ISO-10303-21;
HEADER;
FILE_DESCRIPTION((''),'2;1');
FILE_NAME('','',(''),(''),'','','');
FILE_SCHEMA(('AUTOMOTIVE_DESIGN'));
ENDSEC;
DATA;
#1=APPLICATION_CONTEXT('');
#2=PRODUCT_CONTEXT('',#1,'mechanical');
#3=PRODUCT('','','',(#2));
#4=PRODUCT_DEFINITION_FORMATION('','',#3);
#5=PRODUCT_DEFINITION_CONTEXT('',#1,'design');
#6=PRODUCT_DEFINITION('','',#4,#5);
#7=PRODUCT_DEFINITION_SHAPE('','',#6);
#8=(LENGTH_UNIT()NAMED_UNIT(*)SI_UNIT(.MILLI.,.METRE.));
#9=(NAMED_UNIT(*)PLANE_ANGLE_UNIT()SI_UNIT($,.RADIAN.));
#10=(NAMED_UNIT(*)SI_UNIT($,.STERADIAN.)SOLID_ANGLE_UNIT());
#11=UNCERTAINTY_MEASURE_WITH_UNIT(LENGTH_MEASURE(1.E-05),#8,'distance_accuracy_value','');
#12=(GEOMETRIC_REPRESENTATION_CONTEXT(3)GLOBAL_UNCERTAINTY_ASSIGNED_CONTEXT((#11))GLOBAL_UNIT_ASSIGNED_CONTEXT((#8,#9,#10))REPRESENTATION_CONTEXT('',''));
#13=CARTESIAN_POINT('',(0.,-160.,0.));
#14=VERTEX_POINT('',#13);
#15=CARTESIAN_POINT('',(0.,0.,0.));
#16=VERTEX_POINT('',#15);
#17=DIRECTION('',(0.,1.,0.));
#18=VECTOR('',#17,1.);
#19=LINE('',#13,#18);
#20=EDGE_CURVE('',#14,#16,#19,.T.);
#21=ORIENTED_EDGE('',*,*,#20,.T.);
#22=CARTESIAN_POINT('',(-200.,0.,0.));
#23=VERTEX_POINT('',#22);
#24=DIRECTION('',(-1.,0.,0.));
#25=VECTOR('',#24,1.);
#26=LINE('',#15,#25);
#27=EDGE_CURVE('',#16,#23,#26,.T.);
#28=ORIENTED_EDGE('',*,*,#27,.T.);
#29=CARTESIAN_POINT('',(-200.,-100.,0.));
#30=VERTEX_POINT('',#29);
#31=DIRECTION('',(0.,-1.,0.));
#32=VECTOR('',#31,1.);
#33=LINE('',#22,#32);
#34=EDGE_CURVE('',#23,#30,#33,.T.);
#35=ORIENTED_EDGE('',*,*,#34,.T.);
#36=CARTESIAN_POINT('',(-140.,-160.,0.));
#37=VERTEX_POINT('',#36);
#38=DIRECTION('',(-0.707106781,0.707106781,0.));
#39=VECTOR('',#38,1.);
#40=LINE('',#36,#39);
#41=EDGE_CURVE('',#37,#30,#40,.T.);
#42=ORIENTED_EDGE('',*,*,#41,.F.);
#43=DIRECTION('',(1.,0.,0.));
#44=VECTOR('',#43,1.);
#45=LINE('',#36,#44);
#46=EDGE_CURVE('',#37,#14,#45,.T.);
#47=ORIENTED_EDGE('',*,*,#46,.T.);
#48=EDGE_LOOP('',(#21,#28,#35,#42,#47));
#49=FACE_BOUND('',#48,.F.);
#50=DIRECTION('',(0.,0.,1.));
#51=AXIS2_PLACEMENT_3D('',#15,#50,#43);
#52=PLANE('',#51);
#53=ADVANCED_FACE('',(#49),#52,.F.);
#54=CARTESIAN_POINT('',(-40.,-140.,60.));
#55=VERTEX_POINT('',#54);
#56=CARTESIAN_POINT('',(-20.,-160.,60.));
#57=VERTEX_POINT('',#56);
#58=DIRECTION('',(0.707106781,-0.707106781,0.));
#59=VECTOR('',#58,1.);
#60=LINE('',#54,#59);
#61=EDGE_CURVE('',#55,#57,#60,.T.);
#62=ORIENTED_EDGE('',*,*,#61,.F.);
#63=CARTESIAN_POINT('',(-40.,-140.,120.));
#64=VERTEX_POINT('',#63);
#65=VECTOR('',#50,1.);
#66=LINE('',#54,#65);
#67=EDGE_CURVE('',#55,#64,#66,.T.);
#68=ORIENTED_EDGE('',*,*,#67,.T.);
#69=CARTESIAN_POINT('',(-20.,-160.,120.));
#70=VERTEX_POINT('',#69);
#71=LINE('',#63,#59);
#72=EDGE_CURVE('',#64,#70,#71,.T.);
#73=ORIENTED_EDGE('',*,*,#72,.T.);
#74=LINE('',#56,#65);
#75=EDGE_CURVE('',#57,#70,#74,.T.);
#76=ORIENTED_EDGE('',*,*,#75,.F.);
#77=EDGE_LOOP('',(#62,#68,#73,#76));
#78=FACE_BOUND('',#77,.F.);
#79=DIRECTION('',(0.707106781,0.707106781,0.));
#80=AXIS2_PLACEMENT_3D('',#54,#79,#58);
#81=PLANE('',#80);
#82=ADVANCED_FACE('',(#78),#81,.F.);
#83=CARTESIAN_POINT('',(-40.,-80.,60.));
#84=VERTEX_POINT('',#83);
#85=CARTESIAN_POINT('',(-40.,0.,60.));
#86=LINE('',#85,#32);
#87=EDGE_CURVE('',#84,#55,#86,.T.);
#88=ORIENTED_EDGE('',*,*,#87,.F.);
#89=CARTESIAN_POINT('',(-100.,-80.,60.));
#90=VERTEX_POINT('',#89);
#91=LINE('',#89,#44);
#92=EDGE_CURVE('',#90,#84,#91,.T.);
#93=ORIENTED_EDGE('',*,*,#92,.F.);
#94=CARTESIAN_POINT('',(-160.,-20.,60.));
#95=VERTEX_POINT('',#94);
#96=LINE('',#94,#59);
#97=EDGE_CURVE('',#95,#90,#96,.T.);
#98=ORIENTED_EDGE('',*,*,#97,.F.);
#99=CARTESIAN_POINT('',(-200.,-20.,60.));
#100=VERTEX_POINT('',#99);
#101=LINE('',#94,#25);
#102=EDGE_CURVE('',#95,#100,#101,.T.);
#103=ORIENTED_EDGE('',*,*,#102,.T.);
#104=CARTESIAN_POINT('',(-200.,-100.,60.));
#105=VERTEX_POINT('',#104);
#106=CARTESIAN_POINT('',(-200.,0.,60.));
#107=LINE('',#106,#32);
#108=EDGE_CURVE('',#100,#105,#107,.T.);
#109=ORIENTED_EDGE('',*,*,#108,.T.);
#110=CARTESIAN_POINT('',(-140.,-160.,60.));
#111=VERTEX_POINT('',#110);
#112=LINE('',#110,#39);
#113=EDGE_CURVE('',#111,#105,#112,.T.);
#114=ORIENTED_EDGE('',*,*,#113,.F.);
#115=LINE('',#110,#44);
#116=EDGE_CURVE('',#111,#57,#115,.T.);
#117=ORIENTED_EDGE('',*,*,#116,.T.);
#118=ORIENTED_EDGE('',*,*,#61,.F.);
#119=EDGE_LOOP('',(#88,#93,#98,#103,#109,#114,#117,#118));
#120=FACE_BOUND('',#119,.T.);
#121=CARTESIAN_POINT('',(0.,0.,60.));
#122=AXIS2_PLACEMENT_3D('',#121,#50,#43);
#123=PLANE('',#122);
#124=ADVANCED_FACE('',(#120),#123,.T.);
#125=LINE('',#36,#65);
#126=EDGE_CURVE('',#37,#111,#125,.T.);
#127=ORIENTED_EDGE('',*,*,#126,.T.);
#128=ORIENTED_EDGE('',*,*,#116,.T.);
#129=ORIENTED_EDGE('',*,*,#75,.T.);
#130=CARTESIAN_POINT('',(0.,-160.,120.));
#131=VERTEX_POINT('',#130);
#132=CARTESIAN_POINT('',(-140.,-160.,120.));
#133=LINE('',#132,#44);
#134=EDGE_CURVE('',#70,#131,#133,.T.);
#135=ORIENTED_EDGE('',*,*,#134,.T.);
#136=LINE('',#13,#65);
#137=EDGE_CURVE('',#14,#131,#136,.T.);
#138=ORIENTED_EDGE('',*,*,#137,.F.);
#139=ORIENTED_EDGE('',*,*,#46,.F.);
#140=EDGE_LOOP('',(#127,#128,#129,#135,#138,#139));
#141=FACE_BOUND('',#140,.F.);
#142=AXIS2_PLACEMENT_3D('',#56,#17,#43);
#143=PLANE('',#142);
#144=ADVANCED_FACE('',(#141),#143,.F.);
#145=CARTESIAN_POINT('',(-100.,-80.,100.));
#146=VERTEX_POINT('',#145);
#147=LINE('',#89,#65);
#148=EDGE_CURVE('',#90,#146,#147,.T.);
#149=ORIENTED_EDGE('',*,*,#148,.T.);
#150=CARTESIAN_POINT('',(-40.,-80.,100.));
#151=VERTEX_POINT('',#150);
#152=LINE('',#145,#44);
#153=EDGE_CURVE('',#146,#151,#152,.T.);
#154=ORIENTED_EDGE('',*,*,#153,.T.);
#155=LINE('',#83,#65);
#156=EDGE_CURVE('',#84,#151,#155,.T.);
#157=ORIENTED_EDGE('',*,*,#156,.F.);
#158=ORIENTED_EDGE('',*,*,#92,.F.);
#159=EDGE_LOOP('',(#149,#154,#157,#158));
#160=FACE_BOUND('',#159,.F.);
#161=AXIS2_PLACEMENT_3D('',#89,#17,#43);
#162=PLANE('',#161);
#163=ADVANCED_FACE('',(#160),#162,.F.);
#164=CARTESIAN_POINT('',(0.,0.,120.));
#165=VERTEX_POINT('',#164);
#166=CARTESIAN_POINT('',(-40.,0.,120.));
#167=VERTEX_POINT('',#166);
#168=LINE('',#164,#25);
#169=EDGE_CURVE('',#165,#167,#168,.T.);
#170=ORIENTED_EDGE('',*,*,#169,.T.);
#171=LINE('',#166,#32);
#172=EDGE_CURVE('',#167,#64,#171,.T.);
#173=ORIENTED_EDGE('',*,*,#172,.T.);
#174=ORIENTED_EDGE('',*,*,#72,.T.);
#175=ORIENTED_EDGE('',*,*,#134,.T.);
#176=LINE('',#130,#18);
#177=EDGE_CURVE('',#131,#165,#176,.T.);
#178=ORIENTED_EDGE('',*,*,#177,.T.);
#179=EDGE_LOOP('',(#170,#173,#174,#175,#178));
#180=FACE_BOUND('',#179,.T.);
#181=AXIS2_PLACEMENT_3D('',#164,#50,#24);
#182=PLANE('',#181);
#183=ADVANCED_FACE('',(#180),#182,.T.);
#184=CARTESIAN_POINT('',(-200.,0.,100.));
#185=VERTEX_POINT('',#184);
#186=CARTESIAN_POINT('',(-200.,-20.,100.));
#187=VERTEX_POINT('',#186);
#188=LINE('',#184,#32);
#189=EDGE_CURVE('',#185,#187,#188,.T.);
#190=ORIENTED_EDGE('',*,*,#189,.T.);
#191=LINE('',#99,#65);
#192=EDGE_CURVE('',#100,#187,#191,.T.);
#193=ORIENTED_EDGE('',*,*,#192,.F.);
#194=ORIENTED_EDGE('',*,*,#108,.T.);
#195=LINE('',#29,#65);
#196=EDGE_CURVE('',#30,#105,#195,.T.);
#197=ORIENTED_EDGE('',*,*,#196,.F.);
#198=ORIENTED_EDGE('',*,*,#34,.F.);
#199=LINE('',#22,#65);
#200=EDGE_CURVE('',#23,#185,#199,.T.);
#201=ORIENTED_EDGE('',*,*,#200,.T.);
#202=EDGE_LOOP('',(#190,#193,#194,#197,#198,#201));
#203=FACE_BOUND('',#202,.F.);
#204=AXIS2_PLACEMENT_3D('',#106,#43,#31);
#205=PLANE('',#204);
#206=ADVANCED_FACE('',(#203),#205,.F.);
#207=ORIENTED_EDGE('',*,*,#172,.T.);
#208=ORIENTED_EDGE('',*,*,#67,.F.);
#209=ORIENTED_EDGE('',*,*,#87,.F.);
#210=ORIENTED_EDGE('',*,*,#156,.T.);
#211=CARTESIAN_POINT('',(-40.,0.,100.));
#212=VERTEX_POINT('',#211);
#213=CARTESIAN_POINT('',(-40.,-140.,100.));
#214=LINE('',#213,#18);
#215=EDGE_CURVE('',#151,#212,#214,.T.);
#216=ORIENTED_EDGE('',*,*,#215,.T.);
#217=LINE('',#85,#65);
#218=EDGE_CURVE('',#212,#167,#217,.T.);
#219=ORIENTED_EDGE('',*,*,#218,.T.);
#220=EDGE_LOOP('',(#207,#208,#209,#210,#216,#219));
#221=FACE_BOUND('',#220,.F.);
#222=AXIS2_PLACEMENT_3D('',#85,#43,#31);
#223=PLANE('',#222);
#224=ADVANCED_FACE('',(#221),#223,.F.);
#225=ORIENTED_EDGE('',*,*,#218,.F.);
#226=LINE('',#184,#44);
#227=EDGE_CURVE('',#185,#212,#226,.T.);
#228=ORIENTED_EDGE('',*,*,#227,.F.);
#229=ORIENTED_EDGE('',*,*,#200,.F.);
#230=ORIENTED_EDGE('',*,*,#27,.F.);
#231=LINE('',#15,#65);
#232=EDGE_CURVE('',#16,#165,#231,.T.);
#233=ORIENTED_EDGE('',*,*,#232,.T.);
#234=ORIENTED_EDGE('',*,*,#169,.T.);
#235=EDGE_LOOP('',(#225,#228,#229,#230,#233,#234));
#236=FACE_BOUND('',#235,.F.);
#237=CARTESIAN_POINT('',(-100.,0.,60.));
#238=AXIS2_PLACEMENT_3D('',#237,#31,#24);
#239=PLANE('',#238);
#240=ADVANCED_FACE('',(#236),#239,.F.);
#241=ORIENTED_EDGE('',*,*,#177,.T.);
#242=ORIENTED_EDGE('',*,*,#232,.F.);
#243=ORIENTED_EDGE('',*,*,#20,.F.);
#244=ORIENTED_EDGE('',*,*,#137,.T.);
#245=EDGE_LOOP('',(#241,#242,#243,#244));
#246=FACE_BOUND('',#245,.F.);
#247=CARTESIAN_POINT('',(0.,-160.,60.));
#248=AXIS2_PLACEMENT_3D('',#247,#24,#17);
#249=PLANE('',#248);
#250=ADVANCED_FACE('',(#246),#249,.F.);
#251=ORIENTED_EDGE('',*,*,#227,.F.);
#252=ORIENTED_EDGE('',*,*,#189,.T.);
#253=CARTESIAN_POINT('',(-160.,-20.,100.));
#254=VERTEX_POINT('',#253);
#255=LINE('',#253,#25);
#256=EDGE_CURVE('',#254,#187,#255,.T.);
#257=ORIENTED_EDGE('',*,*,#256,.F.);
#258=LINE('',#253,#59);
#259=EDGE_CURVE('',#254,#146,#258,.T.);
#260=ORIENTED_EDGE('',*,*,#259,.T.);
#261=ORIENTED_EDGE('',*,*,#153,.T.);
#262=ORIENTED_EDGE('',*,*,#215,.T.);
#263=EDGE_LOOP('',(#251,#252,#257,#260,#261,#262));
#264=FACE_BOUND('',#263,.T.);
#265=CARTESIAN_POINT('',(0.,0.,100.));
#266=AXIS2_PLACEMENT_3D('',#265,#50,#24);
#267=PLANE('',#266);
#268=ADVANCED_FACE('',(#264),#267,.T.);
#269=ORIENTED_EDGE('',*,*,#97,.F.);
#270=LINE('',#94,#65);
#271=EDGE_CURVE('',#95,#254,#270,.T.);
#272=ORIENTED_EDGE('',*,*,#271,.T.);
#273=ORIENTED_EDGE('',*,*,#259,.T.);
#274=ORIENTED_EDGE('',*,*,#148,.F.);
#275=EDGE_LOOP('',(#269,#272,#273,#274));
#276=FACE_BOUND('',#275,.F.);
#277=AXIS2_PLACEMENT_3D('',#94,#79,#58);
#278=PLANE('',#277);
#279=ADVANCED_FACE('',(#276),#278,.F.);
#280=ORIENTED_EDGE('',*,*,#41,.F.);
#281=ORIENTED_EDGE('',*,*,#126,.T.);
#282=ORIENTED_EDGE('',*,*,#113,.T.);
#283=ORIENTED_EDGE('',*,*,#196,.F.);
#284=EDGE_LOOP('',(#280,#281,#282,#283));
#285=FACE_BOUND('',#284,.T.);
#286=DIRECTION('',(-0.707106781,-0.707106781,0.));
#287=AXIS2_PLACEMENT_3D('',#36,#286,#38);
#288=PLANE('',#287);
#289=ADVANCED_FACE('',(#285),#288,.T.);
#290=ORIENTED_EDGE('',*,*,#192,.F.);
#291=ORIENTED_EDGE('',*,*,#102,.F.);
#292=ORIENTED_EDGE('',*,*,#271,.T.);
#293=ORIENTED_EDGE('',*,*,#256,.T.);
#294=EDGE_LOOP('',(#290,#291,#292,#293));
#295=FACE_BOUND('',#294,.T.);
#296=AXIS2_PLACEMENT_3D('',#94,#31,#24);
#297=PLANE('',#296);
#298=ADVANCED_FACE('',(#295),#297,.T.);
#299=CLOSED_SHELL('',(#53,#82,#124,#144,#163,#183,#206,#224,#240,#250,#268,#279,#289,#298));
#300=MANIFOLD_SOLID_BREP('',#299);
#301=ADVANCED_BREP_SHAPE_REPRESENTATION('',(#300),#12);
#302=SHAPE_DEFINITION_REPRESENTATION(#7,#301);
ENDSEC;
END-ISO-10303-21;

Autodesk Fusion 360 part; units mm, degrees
sketch "Sketch1" plane through (0, 0, 0) normal (0, 0, 1) x (1, 0, 0)
  line L0 (0, 0) -> (-140, 0)
  line L1 (-140, 0) -> (-140, -160)
  line L2 (-140, -160) -> (0, -160)
  line L3 (0, -160) -> (0, 0)
  dimension "d1" = 140
  dimension "d2" = 160
extrude "Extrude1" add sketch "Sketch1" along normal blind 60
sketch "Sketch2" plane through (0, 0, 0) normal (0, 0, 1) x (1, 0, 0)
  line L0 (-140, 0) -> (-200, 0)
  line L1 (-200, 0) -> (-200, -100)
  line L2 (-200, -100) -> (-140, -100)
  line L3 (-140, -100) -> (-140, 0)
  dimension "d5" = 60
  dimension "d6" = 100
extrude "Extrude2" add sketch "Sketch2" along normal blind 60
sketch "Sketch3" plane through (0, 0, 0) normal (0, 0, 1) x (1, 0, 0)
sketch "Sketch4" plane through (0, 0, 0) normal (0, 0, 1) x (1, 0, 0)
  line L0 (-140, -160) -> (-200, -100)
  line L1 (-200, -100) -> (-140, -100)
  line L2 (-140, -100) -> (-140, -160)
extrude "Extrude3" add sketch "Sketch4" along normal blind 60
sketch "Sketch5" plane through (0, 0, 60) normal (0, 0, 1) x (-1, 0, 0)
  line L0 (0, 160) -> (0, 0)
  line L1 (0, 0) -> (200, 0)
  line L2 (200, 0) -> (200, 100)
  line L3 (200, 100) -> (140, 160)
  line L4 (140, 160) -> (0, 160)
  line L5 (0, 0) -> (20, 0)
  line L6 (20, 0) -> (20, 160)
  line L7 (20, 160) -> (0, 160)
  line L8 (0, 160) -> (0, 0)
  dimension "d11" = 20
extrude "Extrude4" add sketch "Sketch5" along normal blind 60 contours L0 L1 L4 L5 L6 L7 L8
sketch "Sketch6" plane through (0, 0, 60) normal (0, 0, 1) x (-1, 0, 0)
  line L0 (20, 160) -> (20, 0)
  line L1 (20, 0) -> (200, 0)
  line L2 (200, 0) -> (200, 100)
  line L3 (200, 100) -> (140, 160)
  line L4 (140, 160) -> (20, 160)
  line L5 (20, 0) -> (40, 0)
  line L6 (40, 0) -> (40, 140)
  line L7 (40, 140) -> (20, 140)
  line L8 (20, 140) -> (20, 0)
  dimension "d14" = 20
  dimension "d15" = 140
extrude "Extrude5" add sketch "Sketch6" along normal blind 60 contours L0 L1 L5 L6 L7 L8
sketch "Sketch7" plane through (0, 0, 60) normal (0, 0, 1) x (-1, 0, 0)
  line L0 (20, 140) -> (40, 140)
  line L1 (40, 140) -> (40, 0)
  line L2 (40, 0) -> (200, 0)
  line L3 (200, 0) -> (200, 100)
  line L4 (200, 100) -> (140, 160)
  line L5 (140, 160) -> (20, 160)
  line L6 (20, 160) -> (20, 140)
  line L7 (40, 140) -> (20, 160)
  line L8 (20, 140) -> (40, 140)
extrude "Extrude6" add sketch "Sketch7" along normal blind 60 contours L0 L6 L7 L8
sketch "Sketch8" plane through (0, 0, 60) normal (0, 0, 1) x (-1, 0, 0)
  line L0 (20, 160) -> (40, 140)
  line L1 (40, 140) -> (40, 0)
  line L2 (40, 0) -> (200, 0)
  line L3 (200, 0) -> (200, 100)
  line L4 (200, 100) -> (140, 160)
  line L5 (140, 160) -> (20, 160)
  line L6 (40, 0) -> (100, 0)
  line L7 (100, 0) -> (100, 80)
  line L8 (100, 80) -> (40, 80)
  line L9 (40, 80) -> (40, 0)
  dimension "d20" = 60
  dimension "d21" = 80
extrude "Extrude7" add sketch "Sketch8" along normal blind 40 contours L1 L2 L6 L7 L8 L9
sketch "Sketch9" plane through (0, 0, 60) normal (0, 0, 1) x (-1, 0, 0)
  line L0 (100, 80) -> (100, 0)
  line L1 (100, 0) -> (200, 0)
  line L2 (200, 0) -> (200, 100)
  line L3 (200, 100) -> (140, 160)
  line L4 (140, 160) -> (20, 160)
  line L5 (20, 160) -> (40, 140)
  line L6 (40, 140) -> (40, 80)
  line L7 (40, 80) -> (100, 80)
  line L8 (200, 0) -> (160, 0)
  line L9 (160, 0) -> (160, 20)
  line L10 (160, 20) -> (200, 20)
  line L11 (200, 20) -> (200, 0)
  dimension "d24" = 40
  dimension "d25" = 20
extrude "Extrude8" add sketch "Sketch9" along normal blind 40 contours L1 L2 L8 L9 L10 L11
sketch "Sketch10" plane through (0, 0, 60) normal (0, 0, 1) x (-1, 0, 0)
  line L0 (160, 0) -> (160, 20)
  line L1 (160, 20) -> (200, 20)
  line L2 (200, 20) -> (200, 100)
  line L3 (200, 100) -> (140, 160)
  line L4 (140, 160) -> (20, 160)
  line L5 (20, 160) -> (40, 140)
  line L6 (40, 140) -> (40, 80)
  line L7 (40, 80) -> (100, 80)
  line L8 (100, 80) -> (100, 0)
  line L9 (100, 0) -> (160, 0)
  line L10 (160, 20) -> (160, 0)
  line L11 (100, 0) -> (100, 80)
  line L12 (160, 20) -> (100, 80)
extrude "Extrude9" add sketch "Sketch10" along normal blind 40 contours L0 L8 L9 L10 L11 L12
sketch "Sketch11" plane through (-40, 0, 0) normal (-1, 0, 0) x (0, -1, 0)
  line L0 (0, 100) -> (80, 100)
  line L1 (80, 100) -> (80, 60)
  line L2 (80, 60) -> (140, 60)
  line L3 (140, 60) -> (140, 120)
  line L4 (140, 120) -> (0, 120)
  line L5 (0, 120) -> (0, 100)
sketch "Sketch12" plane through (-40, -70, 90) normal (-1, 0, 0) x (0, -1, 0)
  circle A0 centre (40, 0) radius 10
  dimension "d31" = 20
sketch "Sketch13" plane through (0, 0, 100) normal (0, 0, 1) x (-1, 0, 0)
  line L0 (40, 80) -> (40, 0)
  line L1 (40, 0) -> (200, 0)
  line L2 (200, 0) -> (200, 20)
  line L3 (200, 20) -> (160, 20)
  line L4 (160, 20) -> (100, 80)
  line L5 (100, 80) -> (40, 80)
  circle A0 centre (70, 40) radius 10
  dimension "d34" = 20
